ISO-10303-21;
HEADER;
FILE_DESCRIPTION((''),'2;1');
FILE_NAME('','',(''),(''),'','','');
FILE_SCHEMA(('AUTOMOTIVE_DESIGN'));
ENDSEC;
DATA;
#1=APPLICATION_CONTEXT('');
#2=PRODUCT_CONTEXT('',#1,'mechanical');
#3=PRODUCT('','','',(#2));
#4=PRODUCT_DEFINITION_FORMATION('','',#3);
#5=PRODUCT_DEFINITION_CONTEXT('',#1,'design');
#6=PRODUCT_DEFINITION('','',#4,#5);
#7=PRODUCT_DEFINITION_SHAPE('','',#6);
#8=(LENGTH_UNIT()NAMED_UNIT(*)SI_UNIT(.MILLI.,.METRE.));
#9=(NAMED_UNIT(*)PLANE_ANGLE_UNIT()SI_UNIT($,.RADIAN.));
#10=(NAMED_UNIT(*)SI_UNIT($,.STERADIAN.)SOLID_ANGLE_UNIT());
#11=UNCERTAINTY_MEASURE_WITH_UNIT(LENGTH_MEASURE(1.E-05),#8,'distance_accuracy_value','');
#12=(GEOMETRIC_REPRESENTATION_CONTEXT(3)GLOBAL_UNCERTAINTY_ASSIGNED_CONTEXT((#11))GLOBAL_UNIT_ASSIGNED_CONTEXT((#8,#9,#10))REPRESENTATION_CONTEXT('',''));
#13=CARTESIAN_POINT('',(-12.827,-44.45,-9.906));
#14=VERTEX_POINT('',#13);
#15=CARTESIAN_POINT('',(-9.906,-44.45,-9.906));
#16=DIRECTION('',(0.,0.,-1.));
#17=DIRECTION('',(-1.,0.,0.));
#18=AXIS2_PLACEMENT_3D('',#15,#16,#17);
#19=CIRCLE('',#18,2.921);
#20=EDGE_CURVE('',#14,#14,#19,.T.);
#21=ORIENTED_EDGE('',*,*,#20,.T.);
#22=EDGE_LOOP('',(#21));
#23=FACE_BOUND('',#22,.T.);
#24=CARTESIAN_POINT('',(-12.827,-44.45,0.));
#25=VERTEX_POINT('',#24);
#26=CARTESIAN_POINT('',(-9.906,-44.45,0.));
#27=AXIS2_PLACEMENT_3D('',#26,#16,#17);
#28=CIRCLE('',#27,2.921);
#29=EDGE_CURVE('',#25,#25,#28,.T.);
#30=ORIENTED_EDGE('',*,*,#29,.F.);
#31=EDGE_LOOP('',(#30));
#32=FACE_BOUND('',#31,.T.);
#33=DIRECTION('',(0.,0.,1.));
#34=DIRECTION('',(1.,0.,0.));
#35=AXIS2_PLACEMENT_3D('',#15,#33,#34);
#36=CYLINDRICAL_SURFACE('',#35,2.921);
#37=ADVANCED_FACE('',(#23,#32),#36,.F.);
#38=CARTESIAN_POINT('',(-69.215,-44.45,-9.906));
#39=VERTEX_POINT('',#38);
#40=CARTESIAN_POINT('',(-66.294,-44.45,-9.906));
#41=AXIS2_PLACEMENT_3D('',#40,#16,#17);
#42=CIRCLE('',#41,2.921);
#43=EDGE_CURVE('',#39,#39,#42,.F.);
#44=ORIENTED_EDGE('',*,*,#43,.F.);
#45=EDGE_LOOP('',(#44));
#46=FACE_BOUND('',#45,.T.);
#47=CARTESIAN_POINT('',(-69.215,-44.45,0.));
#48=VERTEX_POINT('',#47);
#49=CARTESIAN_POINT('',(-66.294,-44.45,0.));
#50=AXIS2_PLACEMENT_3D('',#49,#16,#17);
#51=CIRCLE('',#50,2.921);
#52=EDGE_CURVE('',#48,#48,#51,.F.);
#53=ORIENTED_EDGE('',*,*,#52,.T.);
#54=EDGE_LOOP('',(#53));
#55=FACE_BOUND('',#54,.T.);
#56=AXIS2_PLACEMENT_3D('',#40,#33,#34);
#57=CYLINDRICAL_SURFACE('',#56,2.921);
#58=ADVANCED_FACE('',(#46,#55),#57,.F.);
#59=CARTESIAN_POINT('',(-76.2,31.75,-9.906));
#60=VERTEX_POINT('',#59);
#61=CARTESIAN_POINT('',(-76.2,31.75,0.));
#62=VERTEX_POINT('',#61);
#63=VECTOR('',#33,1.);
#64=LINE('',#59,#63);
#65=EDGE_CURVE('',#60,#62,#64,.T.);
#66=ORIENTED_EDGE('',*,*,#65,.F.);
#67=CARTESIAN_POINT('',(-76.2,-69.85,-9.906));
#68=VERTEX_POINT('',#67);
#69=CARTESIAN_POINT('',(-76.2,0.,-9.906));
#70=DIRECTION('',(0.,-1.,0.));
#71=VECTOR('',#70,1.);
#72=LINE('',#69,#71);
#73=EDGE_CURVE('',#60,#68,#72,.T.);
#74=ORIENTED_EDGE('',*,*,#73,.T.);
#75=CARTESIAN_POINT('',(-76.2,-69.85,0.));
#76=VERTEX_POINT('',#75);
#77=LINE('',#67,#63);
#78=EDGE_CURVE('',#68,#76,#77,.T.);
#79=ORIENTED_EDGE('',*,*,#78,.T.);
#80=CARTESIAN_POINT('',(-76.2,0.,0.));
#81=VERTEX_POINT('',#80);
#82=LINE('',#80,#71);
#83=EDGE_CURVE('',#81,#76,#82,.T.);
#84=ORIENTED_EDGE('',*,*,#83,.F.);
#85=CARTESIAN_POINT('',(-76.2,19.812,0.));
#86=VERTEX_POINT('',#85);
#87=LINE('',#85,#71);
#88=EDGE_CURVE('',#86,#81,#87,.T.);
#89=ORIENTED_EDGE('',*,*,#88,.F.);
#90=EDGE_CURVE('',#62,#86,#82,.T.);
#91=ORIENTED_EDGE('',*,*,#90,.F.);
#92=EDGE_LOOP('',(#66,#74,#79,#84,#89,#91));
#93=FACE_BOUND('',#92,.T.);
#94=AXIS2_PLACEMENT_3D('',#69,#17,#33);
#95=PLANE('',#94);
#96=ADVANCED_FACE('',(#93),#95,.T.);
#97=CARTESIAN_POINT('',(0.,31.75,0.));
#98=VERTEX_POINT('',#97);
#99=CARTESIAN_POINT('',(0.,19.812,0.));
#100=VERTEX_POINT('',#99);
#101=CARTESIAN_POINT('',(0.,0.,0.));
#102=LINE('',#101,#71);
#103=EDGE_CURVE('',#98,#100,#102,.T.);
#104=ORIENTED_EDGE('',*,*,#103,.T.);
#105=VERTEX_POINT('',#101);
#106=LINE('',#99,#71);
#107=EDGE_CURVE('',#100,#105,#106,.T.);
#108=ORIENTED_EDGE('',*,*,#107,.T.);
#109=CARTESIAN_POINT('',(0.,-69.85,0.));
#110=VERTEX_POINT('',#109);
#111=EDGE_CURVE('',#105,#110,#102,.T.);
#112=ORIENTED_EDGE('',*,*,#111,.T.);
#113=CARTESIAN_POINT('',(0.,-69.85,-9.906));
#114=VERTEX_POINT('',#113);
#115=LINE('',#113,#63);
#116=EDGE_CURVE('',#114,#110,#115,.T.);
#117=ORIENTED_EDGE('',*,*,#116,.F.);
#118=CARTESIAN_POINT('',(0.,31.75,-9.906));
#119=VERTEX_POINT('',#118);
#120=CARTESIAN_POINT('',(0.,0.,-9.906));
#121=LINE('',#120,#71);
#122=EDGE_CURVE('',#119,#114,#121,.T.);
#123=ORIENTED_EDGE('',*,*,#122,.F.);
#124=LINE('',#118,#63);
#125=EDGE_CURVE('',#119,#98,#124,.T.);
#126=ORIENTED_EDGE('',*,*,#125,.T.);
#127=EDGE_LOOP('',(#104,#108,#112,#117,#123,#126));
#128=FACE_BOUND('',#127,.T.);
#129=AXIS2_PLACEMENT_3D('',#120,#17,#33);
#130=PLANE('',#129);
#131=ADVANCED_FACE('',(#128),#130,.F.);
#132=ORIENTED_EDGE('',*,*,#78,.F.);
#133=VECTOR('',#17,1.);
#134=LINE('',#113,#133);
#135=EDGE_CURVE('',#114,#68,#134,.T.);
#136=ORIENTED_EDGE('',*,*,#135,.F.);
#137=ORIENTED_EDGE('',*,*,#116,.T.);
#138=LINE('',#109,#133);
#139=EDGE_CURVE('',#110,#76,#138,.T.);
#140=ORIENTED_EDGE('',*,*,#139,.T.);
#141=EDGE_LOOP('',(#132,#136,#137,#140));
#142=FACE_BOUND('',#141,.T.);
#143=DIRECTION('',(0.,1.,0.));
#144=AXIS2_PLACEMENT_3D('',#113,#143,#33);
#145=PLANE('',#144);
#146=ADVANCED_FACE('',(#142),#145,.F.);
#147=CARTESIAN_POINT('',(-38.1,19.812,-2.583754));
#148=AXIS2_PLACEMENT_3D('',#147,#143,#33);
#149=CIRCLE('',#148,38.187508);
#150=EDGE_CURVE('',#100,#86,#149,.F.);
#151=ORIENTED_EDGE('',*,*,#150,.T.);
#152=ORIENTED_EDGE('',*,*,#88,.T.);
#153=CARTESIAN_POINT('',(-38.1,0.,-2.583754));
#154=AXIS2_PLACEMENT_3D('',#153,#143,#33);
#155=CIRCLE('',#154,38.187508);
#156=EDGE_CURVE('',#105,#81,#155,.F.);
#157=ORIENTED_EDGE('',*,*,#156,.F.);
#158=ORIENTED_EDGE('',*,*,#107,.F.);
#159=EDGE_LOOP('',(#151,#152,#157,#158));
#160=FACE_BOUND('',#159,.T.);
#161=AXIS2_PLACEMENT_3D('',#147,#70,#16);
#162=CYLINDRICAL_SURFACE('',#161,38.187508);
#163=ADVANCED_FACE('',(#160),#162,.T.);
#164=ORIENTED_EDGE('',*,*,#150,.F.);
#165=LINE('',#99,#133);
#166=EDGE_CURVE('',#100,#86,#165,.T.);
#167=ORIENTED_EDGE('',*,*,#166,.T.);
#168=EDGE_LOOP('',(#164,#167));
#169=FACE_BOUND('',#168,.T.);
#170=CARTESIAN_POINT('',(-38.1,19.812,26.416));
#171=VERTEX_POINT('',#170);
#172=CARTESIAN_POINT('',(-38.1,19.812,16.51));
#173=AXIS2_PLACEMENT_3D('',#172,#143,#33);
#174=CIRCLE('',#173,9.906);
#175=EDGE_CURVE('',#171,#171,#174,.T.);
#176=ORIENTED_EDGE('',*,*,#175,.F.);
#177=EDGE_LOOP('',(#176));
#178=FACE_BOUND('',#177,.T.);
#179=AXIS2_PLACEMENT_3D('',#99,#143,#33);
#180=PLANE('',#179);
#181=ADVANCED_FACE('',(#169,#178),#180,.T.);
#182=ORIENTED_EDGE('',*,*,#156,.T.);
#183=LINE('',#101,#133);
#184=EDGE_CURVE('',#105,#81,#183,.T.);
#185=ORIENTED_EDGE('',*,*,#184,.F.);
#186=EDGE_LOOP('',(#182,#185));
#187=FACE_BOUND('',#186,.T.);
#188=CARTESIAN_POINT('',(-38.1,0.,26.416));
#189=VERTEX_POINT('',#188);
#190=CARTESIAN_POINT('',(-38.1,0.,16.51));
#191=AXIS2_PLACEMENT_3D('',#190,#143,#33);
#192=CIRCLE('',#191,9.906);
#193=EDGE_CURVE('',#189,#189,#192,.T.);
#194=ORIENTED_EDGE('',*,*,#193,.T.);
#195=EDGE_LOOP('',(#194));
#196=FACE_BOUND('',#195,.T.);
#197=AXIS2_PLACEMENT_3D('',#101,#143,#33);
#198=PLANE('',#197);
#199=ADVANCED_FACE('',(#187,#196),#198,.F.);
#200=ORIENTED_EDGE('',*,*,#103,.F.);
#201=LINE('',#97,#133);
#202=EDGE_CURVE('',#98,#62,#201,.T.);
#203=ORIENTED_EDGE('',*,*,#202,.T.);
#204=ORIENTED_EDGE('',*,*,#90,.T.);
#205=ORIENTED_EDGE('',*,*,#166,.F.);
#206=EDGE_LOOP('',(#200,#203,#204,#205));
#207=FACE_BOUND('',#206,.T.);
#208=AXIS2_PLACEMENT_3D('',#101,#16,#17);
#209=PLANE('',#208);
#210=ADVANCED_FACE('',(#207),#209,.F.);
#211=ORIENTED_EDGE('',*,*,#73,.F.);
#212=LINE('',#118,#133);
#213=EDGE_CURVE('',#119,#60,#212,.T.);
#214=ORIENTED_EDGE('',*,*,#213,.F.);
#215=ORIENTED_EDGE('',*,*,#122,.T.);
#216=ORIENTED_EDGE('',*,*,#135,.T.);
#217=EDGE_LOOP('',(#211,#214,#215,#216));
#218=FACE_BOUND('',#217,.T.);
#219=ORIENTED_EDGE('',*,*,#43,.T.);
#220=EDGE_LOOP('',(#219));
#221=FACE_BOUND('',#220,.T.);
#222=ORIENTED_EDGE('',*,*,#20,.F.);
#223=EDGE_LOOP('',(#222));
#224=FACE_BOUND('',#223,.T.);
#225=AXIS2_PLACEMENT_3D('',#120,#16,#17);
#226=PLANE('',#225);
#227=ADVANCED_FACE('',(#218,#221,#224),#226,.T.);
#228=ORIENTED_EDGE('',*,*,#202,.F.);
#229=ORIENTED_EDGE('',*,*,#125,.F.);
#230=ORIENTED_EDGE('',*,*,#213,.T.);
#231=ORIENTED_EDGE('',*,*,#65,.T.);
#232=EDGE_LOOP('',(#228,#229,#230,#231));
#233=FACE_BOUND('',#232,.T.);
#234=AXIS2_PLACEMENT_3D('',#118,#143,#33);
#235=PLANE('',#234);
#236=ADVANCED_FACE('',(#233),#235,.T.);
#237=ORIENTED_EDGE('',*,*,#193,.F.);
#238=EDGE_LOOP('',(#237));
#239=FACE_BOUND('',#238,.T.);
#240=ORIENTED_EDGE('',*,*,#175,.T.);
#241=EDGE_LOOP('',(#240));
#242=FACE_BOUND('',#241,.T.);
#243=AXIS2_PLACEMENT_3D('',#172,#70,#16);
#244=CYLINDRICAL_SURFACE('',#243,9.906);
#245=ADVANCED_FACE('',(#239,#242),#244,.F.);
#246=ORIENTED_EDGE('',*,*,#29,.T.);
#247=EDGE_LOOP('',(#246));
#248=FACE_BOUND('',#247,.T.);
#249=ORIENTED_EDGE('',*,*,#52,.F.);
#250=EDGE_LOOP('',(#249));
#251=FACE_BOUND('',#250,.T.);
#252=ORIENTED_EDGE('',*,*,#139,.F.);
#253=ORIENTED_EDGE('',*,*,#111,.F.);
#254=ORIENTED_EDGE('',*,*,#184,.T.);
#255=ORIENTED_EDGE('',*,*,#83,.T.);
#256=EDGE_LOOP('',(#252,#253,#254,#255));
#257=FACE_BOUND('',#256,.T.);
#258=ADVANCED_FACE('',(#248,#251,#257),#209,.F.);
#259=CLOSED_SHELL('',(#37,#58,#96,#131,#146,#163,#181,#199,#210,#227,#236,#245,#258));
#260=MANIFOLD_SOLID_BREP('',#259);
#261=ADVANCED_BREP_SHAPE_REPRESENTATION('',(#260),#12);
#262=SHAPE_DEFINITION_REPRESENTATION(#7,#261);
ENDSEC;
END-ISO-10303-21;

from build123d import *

# Parameters (mm, degrees)
BOSS_EXTRUDE1_DEPTH = 19.812
SKETCH2_R           = 2.921
BOSS_EXTRUDE2_DEPTH = 9.906


with BuildPart() as part:
    # Sketch1 → Boss-Extrude1 (new body)
    with BuildSketch(Plane(origin=(0, 0, 0), x_dir=(1, 0, 0), z_dir=(0, 1, 0))):
        with BuildLine():
            ThreePointArc((-38.1, -35.603754118), (-12.026846627, -25.317436869), (0, 0))
            Line((0, 0), (-38.1, 0))
            Line((-38.1, 0), (-38.1, -6.604))
            ThreePointArc((-38.1, -6.604), (-31.095400226, -9.505400226), (-28.194, -16.51))
            ThreePointArc((-28.194, -16.51), (-31.095400226, -23.514599774), (-38.1, -26.416))
            Line((-38.1, -26.416), (-38.1, -35.603754118))
        make_face()
        with BuildLine():
            Line((-38.1, -6.604), (-38.1, 0))
            Line((-38.1, 0), (-76.2, 0))
            ThreePointArc((-76.2, 0), (-64.173153373, -25.317436869), (-38.1, -35.603754118))
            Line((-38.1, -35.603754118), (-38.1, -26.416))
            ThreePointArc((-38.1, -26.416), (-48.006, -16.51), (-38.1, -6.604))
        make_face()
    extrude(amount=BOSS_EXTRUDE1_DEPTH)

    # Sketch2 → Boss-Extrude2 (add)
    with BuildSketch(Plane(origin=(0, 0, 0), x_dir=(-1, 0, 0), z_dir=(0, 0, -1))):
        Polygon((0, 0), (0, -69.85), (76.2, -69.85), (76.2, 0), (76.2, 31.75), (0, 31.75), align=None)
        with Locations((9.906, -44.45)):
            Circle(SKETCH2_R, mode=Mode.SUBTRACT)
        with Locations((66.294, -44.45)):
            Circle(SKETCH2_R, mode=Mode.SUBTRACT)
    extrude(amount=BOSS_EXTRUDE2_DEPTH)


solid = part.part
